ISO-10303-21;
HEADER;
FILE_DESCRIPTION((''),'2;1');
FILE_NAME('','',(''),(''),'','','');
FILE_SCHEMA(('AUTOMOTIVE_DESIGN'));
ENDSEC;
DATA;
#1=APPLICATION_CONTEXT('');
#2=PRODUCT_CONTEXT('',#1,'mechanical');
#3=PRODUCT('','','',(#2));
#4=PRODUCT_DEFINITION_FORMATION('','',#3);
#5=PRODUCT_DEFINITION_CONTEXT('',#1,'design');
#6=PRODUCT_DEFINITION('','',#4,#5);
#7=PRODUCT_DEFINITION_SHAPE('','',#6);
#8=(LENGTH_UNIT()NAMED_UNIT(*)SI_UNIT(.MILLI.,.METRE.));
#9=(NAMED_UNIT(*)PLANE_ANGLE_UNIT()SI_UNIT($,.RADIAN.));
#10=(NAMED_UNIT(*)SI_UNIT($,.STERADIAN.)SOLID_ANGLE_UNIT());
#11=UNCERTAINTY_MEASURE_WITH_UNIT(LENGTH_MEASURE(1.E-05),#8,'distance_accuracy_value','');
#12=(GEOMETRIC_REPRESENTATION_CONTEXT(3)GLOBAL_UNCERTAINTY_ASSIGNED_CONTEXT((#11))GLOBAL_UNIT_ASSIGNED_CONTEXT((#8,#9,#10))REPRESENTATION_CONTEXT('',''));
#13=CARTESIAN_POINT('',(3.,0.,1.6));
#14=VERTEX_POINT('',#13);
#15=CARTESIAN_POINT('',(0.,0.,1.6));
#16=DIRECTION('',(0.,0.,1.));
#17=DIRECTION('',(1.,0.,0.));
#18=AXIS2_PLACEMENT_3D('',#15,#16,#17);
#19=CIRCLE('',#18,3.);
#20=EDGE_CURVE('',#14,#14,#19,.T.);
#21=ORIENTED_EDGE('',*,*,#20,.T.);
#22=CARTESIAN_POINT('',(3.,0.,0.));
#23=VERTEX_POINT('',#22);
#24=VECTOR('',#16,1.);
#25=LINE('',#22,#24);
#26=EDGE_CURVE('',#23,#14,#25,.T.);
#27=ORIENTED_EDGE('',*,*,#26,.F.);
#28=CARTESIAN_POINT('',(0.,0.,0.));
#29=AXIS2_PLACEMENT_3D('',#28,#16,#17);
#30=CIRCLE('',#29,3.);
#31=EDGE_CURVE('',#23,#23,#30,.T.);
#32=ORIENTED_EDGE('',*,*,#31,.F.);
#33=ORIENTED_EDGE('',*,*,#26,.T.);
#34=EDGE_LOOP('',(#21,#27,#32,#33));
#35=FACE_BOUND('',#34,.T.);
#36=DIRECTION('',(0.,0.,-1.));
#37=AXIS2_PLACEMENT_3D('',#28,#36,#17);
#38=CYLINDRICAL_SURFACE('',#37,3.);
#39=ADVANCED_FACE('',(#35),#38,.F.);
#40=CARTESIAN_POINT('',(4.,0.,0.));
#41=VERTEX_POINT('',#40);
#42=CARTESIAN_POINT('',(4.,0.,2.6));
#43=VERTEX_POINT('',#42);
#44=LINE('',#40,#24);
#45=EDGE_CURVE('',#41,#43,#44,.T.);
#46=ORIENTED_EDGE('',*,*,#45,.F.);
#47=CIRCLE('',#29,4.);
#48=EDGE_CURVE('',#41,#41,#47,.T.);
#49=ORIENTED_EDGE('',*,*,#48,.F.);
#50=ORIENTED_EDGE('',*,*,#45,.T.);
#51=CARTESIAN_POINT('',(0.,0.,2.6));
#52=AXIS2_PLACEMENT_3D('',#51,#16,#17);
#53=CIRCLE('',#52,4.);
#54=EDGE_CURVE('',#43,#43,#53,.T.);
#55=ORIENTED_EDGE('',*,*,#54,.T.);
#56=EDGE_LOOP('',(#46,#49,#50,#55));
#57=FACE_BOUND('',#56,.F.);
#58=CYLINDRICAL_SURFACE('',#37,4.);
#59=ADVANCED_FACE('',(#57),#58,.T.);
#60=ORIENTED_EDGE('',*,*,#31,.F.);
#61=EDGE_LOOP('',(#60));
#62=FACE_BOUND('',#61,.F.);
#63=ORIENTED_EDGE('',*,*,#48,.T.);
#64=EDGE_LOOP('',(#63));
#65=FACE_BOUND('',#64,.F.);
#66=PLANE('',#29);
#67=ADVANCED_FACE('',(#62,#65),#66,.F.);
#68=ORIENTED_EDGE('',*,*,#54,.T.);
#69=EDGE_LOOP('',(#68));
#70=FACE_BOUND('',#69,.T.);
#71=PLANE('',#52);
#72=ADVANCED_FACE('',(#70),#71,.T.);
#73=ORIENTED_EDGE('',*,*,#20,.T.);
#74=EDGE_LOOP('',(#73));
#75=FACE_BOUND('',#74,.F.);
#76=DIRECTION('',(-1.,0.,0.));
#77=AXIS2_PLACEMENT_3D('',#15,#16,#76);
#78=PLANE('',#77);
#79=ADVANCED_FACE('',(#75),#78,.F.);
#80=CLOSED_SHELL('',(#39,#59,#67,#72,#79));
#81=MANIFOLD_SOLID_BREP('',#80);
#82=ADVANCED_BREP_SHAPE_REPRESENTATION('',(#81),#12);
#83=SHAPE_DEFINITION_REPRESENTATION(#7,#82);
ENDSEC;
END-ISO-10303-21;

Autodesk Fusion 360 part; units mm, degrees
sketch "Esboço1" plane through (0, 0, 0) normal (0, 0, 1) x (1, 0, 0)
  circle A0 centre (0, 0) radius 4
  circle A1 centre (0, 0) radius 3
  dimension "d1" = 8
  dimension "d2" = 6
extrude "Extrusão1" add sketch "Esboço1" along normal blind 2.6
sketch "Esboço2" plane through (0, 0, 2.6) normal (0, 0, 1) x (-1, 0, 0)
  circle A0 centre (0, 0) radius 3
  circle A1 centre (0, 0) radius 4
  circle A2 centre (0, 0) radius 3
extrude "Extrusão2" add sketch "Esboço2" against normal blind 1 contours A0 A2
